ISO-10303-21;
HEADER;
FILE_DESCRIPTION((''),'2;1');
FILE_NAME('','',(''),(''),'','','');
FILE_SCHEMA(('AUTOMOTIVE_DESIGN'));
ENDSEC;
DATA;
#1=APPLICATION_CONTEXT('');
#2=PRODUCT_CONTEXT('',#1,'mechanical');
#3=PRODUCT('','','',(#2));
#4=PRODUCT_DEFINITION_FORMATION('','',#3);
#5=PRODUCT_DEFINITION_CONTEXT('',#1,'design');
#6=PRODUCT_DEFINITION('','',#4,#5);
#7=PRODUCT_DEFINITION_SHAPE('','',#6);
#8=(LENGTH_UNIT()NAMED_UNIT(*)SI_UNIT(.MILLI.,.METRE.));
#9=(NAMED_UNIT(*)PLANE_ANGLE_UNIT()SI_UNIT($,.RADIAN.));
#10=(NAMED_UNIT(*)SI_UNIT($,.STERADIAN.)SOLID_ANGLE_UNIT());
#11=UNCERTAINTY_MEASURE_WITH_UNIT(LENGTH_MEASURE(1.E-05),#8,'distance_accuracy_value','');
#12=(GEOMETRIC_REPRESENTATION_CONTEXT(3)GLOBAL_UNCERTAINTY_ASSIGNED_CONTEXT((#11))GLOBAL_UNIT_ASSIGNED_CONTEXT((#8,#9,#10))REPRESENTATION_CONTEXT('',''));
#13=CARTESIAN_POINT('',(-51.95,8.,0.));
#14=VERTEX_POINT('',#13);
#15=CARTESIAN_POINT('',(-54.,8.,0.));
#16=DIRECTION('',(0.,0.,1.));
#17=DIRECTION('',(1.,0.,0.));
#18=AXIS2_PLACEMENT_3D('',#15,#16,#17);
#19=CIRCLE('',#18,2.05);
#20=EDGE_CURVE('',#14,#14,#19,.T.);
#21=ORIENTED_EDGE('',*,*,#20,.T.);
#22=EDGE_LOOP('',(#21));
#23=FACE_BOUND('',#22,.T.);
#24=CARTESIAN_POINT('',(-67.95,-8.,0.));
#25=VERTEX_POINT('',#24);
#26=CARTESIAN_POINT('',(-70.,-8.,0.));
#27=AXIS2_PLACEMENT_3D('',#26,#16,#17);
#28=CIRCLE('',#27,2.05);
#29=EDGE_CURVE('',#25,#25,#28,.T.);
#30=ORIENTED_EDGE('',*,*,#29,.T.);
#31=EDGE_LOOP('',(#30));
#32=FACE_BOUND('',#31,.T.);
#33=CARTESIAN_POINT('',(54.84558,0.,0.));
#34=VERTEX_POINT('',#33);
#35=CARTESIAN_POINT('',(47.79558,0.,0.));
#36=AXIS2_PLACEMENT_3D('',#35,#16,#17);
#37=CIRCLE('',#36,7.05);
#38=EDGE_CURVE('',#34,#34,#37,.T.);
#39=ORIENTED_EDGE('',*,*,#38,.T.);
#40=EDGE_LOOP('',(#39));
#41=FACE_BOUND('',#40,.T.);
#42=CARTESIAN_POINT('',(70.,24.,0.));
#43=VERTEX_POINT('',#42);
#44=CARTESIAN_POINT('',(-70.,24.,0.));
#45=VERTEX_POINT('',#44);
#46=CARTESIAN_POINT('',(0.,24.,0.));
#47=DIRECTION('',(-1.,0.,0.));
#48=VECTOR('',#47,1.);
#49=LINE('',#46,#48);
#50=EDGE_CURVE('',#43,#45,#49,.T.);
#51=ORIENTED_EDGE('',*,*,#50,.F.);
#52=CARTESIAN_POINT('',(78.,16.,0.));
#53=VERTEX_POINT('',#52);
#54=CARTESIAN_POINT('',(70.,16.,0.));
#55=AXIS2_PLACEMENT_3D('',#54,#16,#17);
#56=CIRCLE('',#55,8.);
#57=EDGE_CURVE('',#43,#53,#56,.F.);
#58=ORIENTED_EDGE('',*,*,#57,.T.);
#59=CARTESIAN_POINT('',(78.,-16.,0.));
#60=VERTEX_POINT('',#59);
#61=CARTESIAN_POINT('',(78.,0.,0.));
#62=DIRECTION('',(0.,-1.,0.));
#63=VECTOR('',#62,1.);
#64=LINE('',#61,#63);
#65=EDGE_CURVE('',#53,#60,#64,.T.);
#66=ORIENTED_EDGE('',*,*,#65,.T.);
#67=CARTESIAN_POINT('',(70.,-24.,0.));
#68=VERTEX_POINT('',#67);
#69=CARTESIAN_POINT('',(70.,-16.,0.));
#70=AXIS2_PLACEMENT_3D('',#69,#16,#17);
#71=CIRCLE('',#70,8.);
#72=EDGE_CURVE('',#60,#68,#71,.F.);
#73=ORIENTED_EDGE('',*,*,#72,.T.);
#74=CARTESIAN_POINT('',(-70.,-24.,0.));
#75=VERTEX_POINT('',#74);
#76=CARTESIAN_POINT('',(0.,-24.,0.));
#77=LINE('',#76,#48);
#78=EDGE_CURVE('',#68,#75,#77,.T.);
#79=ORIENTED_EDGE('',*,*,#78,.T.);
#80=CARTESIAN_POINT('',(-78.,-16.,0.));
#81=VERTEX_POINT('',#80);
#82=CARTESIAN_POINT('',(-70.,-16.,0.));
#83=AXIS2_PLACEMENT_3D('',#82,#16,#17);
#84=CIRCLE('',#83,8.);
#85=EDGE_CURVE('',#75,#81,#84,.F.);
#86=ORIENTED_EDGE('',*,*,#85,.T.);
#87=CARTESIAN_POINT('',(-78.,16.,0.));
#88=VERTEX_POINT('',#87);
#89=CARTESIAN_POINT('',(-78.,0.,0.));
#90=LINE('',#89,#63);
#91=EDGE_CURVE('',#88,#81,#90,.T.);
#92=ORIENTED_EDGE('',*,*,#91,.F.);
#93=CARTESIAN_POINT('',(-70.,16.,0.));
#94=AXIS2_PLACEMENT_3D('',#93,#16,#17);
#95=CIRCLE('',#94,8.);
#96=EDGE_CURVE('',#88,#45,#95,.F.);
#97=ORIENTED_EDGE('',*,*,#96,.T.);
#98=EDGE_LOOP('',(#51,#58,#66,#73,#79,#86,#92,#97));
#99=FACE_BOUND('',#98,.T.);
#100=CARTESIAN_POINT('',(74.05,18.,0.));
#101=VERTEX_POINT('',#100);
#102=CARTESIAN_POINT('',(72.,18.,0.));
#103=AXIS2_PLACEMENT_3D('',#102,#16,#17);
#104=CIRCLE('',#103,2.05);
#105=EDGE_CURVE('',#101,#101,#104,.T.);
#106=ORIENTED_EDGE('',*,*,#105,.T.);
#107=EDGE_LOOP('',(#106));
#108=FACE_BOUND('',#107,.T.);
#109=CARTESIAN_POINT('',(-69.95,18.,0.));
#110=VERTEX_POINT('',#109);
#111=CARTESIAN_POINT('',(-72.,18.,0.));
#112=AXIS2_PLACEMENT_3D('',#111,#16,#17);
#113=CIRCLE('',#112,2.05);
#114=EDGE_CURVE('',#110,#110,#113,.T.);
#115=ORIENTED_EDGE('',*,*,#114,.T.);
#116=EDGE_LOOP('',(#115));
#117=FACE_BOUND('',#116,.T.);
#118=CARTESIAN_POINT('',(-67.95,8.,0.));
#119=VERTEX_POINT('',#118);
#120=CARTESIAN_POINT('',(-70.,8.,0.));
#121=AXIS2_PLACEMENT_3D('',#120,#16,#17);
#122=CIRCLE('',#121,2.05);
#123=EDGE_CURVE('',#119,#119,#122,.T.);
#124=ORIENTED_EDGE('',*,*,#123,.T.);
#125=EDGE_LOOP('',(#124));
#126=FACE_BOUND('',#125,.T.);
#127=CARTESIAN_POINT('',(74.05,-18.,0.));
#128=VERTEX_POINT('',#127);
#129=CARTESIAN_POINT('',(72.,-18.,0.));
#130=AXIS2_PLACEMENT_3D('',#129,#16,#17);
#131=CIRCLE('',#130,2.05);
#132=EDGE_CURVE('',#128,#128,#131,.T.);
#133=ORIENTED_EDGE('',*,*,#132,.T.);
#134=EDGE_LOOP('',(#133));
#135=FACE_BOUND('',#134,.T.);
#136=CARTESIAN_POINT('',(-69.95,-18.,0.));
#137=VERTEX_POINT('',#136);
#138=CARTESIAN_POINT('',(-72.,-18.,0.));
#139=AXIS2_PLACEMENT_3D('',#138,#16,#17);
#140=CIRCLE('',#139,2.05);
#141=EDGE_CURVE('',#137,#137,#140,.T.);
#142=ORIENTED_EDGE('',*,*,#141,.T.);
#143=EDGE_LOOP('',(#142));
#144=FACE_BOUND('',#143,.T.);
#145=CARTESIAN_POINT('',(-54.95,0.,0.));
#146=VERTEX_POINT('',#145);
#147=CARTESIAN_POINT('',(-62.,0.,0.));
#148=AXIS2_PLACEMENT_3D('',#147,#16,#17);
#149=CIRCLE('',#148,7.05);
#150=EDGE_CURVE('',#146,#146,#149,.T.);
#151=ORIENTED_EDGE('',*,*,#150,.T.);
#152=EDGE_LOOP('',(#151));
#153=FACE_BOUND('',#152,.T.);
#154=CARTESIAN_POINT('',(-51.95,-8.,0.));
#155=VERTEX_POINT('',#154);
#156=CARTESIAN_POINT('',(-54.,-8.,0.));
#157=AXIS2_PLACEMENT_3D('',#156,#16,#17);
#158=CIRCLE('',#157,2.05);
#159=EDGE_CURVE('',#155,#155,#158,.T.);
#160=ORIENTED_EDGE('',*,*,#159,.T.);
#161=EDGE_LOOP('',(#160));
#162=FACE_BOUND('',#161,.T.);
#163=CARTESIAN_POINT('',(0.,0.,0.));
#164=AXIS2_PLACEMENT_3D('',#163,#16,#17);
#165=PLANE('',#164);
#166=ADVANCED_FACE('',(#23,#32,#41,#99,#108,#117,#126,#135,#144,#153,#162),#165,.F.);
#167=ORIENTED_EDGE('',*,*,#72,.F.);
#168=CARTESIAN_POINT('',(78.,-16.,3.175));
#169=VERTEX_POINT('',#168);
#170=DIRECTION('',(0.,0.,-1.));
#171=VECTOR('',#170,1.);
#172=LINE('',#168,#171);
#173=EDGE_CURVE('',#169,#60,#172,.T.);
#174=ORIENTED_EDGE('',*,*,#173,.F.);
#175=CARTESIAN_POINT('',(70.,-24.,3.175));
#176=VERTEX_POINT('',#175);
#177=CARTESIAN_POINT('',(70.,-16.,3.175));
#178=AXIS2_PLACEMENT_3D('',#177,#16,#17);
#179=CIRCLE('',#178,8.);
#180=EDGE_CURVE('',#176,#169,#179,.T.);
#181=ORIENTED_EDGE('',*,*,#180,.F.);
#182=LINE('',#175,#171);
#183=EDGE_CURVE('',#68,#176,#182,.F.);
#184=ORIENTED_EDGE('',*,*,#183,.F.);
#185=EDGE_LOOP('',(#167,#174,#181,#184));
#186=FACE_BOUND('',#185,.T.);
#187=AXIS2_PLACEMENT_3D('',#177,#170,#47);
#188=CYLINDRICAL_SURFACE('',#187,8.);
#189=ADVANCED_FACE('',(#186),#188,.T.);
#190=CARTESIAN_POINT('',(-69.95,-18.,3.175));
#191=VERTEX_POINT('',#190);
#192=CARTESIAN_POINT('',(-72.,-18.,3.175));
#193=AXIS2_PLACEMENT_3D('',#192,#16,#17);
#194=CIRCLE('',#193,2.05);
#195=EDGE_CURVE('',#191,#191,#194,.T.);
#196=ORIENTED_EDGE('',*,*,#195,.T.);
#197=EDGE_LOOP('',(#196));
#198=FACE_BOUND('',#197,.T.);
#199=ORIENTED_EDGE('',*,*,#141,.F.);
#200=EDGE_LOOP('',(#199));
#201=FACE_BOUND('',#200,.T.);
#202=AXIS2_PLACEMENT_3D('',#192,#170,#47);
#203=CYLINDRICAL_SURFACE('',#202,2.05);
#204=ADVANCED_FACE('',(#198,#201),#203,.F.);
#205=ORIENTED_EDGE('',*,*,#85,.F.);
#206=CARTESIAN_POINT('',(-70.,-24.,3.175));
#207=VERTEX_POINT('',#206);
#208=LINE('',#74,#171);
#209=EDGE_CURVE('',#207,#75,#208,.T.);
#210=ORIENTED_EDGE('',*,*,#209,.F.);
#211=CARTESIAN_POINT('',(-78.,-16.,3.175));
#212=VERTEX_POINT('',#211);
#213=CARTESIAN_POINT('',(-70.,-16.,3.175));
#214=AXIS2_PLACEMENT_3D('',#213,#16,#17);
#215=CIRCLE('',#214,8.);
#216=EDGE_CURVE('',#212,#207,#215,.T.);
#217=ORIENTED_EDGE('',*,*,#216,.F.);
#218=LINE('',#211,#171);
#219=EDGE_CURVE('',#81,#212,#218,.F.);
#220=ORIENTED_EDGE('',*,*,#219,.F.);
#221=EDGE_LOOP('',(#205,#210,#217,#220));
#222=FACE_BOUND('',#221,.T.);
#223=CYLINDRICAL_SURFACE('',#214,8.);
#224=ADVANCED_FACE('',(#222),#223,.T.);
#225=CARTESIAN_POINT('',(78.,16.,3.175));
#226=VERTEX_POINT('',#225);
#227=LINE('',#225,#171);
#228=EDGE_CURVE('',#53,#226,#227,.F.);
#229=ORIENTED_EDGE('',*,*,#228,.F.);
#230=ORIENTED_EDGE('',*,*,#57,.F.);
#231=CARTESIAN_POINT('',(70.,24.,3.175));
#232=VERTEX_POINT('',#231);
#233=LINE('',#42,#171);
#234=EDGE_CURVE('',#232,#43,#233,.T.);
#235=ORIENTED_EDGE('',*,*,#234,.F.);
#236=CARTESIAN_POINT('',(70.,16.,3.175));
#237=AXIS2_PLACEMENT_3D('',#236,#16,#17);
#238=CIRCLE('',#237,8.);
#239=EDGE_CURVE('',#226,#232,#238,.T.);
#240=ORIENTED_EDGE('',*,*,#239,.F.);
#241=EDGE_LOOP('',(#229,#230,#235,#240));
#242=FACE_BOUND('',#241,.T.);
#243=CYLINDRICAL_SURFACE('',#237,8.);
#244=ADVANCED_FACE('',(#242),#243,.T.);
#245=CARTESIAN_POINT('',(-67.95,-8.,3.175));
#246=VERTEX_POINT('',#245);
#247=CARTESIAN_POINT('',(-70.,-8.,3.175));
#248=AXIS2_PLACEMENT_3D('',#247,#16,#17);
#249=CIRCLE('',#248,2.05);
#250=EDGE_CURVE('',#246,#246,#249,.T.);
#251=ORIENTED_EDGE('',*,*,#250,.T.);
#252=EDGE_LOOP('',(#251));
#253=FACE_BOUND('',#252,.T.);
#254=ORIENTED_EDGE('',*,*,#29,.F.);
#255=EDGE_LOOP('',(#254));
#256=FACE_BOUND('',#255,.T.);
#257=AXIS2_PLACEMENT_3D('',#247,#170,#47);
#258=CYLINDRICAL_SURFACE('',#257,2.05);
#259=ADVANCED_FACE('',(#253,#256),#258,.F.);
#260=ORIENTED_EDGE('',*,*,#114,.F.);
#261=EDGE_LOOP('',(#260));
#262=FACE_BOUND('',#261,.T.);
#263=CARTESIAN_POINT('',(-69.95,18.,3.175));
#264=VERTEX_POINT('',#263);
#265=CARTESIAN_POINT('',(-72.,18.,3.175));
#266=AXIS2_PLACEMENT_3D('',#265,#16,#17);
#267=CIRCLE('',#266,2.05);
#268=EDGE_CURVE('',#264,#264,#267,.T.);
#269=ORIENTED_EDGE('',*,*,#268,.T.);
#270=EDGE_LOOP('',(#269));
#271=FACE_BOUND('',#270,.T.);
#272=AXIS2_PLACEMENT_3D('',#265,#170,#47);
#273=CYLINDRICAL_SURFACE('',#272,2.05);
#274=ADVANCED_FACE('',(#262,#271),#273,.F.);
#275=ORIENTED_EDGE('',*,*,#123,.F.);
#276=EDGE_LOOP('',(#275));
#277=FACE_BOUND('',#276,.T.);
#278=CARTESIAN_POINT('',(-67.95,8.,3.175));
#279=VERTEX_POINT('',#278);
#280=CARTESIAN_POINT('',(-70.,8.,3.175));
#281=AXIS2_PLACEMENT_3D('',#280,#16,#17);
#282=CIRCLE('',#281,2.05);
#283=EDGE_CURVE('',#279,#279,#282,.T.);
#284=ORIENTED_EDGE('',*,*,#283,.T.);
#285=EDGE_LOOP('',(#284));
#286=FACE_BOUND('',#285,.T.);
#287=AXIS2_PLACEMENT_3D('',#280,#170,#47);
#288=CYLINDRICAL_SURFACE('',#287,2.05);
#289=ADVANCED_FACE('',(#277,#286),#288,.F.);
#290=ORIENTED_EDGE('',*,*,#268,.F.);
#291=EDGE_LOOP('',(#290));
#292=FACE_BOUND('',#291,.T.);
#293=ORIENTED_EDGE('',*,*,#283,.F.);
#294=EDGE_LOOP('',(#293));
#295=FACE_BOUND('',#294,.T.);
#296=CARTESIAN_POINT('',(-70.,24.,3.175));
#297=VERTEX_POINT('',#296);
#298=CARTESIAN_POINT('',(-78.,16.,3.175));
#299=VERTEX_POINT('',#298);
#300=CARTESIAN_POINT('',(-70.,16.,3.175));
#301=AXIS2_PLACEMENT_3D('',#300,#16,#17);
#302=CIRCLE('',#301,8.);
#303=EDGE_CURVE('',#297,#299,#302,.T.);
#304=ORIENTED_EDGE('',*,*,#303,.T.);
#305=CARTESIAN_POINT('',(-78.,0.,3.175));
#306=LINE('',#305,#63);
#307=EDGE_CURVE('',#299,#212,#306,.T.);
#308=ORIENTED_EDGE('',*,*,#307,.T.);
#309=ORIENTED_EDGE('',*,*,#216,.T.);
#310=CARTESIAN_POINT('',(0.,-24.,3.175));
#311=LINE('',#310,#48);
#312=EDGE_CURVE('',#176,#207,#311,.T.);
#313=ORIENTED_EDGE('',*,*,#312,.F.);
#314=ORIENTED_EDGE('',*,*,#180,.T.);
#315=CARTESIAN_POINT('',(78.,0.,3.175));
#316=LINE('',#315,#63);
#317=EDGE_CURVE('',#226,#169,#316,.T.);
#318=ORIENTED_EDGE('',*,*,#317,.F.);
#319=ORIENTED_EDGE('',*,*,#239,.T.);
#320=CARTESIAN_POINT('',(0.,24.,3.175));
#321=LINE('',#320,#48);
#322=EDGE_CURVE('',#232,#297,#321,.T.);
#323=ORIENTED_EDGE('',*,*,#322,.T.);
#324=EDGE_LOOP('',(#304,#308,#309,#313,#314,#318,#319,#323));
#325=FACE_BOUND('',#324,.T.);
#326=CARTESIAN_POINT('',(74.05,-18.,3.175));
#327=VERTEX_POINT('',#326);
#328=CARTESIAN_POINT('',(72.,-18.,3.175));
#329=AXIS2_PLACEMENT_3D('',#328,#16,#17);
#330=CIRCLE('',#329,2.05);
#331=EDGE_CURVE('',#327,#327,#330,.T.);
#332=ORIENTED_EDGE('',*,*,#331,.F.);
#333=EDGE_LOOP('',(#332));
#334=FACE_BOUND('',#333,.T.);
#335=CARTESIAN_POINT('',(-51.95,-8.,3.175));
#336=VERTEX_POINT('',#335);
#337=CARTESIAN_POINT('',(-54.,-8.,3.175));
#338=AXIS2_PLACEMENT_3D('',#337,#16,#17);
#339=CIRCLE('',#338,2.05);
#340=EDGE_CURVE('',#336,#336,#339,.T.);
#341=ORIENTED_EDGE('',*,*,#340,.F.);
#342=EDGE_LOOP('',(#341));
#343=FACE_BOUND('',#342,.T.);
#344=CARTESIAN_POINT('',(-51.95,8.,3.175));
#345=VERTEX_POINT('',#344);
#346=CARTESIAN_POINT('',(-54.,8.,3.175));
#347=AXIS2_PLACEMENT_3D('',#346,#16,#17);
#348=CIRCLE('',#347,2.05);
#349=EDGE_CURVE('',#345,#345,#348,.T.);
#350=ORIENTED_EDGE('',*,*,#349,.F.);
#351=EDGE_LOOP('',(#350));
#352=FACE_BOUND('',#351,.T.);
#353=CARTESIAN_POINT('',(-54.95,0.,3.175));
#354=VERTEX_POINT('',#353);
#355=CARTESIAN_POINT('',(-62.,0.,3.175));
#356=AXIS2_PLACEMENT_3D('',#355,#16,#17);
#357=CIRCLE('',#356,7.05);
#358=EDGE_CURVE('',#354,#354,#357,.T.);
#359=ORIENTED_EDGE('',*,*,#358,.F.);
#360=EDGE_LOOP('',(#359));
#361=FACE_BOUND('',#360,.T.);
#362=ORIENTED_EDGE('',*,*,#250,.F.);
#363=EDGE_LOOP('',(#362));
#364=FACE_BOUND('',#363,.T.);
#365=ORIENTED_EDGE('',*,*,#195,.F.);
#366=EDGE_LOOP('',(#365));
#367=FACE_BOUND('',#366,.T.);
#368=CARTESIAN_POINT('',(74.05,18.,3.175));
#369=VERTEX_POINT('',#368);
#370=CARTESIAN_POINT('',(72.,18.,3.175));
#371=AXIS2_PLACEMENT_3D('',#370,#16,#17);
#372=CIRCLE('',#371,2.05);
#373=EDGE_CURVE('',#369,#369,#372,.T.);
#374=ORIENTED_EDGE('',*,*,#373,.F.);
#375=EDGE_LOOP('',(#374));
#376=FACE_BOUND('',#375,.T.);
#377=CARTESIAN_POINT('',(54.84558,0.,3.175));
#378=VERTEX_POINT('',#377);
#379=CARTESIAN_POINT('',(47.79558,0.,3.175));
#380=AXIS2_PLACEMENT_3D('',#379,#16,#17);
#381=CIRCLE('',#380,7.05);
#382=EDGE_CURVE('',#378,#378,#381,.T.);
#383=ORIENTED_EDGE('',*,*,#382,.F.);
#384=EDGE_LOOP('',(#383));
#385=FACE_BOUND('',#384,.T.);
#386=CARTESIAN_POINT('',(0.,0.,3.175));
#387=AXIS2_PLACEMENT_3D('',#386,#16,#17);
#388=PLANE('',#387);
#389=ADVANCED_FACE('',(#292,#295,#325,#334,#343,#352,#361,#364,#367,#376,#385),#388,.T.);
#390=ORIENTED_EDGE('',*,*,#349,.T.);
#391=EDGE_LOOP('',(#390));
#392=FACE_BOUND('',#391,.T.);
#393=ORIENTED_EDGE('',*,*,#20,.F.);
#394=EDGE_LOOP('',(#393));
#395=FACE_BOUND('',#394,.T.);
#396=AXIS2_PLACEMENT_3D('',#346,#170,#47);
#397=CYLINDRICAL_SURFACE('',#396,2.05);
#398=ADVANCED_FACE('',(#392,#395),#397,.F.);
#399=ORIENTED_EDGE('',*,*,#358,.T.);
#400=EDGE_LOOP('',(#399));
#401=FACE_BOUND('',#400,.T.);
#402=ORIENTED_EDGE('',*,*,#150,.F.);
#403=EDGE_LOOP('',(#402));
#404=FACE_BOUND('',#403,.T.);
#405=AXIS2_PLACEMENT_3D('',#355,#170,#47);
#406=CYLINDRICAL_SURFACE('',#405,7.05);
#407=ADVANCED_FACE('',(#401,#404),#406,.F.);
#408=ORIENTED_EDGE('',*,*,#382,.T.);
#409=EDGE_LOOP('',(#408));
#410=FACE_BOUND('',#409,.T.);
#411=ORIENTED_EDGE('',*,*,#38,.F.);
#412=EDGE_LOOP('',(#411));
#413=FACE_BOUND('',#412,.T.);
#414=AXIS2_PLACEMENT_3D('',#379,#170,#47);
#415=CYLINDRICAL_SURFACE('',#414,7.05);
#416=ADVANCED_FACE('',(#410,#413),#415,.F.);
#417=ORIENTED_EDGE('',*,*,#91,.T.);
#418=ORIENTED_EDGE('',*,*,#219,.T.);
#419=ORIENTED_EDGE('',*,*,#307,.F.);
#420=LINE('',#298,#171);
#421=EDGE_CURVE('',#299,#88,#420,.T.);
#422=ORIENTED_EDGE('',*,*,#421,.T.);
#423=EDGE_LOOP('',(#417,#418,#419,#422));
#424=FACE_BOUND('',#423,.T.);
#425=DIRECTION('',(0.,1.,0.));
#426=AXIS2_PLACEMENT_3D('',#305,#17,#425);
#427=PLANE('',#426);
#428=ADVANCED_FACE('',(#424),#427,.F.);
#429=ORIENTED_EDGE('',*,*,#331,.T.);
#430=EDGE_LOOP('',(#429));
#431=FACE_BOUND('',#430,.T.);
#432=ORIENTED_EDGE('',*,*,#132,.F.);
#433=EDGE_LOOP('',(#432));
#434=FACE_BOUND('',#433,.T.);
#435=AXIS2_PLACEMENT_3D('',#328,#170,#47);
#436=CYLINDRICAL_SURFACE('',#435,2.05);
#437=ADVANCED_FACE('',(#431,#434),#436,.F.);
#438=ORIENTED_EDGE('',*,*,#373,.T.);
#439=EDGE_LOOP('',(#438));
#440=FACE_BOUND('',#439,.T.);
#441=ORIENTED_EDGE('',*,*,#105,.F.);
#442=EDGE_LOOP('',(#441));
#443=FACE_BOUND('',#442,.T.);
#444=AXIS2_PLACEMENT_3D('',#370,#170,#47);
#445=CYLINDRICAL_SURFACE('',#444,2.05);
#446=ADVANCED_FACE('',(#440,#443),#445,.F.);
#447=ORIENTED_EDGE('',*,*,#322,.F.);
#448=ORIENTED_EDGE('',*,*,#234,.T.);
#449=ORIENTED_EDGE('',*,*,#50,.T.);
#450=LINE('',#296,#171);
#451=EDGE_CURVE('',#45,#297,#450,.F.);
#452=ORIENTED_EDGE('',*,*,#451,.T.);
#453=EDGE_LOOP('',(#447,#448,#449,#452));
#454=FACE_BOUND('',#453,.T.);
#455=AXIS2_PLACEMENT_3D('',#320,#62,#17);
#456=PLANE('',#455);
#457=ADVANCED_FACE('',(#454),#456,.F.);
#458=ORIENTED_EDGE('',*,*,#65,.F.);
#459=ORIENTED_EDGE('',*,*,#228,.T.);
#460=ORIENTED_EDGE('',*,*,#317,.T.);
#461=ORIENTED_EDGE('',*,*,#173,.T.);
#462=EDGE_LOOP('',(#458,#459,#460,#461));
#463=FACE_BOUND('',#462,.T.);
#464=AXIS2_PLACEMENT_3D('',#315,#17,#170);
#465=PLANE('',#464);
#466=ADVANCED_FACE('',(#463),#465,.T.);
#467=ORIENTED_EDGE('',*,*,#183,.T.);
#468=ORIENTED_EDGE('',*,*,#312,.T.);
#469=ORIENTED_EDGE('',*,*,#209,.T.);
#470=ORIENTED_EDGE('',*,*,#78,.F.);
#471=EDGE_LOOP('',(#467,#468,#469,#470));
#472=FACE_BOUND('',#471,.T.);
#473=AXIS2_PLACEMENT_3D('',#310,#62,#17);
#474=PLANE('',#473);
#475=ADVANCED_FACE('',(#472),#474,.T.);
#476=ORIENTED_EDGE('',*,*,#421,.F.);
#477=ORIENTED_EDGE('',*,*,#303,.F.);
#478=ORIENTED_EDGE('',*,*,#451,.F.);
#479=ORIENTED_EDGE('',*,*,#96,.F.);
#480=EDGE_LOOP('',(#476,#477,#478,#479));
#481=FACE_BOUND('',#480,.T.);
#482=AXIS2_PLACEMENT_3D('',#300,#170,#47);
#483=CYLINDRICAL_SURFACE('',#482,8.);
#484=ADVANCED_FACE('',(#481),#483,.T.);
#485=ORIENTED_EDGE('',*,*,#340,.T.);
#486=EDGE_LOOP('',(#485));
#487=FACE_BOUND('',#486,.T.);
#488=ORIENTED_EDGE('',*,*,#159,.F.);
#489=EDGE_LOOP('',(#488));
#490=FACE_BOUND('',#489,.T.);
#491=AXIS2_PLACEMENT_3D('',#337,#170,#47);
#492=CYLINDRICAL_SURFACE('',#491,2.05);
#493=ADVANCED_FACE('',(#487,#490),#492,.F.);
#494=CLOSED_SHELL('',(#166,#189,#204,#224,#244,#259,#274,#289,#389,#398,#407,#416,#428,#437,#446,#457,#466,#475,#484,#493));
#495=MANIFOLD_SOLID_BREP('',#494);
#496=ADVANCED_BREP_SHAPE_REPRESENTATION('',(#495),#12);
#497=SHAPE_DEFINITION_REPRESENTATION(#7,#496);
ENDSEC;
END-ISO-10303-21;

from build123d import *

# Parameters (mm, degrees)
SKETCH2_W           = 156
SKETCH2_H           = 48
SKETCH2_R           = 2.05
SKETCH2_R_2         = 7.05
BOSS_EXTRUDE2_DEPTH = 3.175
FILLET1_R           = 8


with BuildPart() as part:
    # Sketch2 → Boss-Extrude2 (new body)
    with BuildSketch(Plane.XY):
        Rectangle(SKETCH2_W, SKETCH2_H)
        with Locations((-70, 8)):
            Circle(SKETCH2_R, mode=Mode.SUBTRACT)
        with Locations((-54, 8)):
            Circle(SKETCH2_R, mode=Mode.SUBTRACT)
        with Locations((-54, -8)):
            Circle(SKETCH2_R, mode=Mode.SUBTRACT)
        with Locations((-70, -8)):
            Circle(SKETCH2_R, mode=Mode.SUBTRACT)
        with Locations((47.795580317, 0)):
            Circle(SKETCH2_R_2, mode=Mode.SUBTRACT)
        with Locations((-62, 0)):
            Circle(SKETCH2_R_2, mode=Mode.SUBTRACT)
        with Locations((72, 18)):
            Circle(SKETCH2_R, mode=Mode.SUBTRACT)
        with Locations((72, -18)):
            Circle(SKETCH2_R, mode=Mode.SUBTRACT)
        with Locations((-72, -18)):
            Circle(SKETCH2_R, mode=Mode.SUBTRACT)
        with Locations((-72, 18)):
            Circle(SKETCH2_R, mode=Mode.SUBTRACT)
    extrude(amount=BOSS_EXTRUDE2_DEPTH)

    # Fillet1
    fillet1_edges = [part.edges().sort_by_distance(p)[0] for p in [
        (78, 24, 1.5875),
        (78, -24, 1.5875),
        (-78, -24, 1.5875),
        (-78, 24, 1.5875),
    ]]
    fillet(fillet1_edges, radius=FILLET1_R)


solid = part.part
